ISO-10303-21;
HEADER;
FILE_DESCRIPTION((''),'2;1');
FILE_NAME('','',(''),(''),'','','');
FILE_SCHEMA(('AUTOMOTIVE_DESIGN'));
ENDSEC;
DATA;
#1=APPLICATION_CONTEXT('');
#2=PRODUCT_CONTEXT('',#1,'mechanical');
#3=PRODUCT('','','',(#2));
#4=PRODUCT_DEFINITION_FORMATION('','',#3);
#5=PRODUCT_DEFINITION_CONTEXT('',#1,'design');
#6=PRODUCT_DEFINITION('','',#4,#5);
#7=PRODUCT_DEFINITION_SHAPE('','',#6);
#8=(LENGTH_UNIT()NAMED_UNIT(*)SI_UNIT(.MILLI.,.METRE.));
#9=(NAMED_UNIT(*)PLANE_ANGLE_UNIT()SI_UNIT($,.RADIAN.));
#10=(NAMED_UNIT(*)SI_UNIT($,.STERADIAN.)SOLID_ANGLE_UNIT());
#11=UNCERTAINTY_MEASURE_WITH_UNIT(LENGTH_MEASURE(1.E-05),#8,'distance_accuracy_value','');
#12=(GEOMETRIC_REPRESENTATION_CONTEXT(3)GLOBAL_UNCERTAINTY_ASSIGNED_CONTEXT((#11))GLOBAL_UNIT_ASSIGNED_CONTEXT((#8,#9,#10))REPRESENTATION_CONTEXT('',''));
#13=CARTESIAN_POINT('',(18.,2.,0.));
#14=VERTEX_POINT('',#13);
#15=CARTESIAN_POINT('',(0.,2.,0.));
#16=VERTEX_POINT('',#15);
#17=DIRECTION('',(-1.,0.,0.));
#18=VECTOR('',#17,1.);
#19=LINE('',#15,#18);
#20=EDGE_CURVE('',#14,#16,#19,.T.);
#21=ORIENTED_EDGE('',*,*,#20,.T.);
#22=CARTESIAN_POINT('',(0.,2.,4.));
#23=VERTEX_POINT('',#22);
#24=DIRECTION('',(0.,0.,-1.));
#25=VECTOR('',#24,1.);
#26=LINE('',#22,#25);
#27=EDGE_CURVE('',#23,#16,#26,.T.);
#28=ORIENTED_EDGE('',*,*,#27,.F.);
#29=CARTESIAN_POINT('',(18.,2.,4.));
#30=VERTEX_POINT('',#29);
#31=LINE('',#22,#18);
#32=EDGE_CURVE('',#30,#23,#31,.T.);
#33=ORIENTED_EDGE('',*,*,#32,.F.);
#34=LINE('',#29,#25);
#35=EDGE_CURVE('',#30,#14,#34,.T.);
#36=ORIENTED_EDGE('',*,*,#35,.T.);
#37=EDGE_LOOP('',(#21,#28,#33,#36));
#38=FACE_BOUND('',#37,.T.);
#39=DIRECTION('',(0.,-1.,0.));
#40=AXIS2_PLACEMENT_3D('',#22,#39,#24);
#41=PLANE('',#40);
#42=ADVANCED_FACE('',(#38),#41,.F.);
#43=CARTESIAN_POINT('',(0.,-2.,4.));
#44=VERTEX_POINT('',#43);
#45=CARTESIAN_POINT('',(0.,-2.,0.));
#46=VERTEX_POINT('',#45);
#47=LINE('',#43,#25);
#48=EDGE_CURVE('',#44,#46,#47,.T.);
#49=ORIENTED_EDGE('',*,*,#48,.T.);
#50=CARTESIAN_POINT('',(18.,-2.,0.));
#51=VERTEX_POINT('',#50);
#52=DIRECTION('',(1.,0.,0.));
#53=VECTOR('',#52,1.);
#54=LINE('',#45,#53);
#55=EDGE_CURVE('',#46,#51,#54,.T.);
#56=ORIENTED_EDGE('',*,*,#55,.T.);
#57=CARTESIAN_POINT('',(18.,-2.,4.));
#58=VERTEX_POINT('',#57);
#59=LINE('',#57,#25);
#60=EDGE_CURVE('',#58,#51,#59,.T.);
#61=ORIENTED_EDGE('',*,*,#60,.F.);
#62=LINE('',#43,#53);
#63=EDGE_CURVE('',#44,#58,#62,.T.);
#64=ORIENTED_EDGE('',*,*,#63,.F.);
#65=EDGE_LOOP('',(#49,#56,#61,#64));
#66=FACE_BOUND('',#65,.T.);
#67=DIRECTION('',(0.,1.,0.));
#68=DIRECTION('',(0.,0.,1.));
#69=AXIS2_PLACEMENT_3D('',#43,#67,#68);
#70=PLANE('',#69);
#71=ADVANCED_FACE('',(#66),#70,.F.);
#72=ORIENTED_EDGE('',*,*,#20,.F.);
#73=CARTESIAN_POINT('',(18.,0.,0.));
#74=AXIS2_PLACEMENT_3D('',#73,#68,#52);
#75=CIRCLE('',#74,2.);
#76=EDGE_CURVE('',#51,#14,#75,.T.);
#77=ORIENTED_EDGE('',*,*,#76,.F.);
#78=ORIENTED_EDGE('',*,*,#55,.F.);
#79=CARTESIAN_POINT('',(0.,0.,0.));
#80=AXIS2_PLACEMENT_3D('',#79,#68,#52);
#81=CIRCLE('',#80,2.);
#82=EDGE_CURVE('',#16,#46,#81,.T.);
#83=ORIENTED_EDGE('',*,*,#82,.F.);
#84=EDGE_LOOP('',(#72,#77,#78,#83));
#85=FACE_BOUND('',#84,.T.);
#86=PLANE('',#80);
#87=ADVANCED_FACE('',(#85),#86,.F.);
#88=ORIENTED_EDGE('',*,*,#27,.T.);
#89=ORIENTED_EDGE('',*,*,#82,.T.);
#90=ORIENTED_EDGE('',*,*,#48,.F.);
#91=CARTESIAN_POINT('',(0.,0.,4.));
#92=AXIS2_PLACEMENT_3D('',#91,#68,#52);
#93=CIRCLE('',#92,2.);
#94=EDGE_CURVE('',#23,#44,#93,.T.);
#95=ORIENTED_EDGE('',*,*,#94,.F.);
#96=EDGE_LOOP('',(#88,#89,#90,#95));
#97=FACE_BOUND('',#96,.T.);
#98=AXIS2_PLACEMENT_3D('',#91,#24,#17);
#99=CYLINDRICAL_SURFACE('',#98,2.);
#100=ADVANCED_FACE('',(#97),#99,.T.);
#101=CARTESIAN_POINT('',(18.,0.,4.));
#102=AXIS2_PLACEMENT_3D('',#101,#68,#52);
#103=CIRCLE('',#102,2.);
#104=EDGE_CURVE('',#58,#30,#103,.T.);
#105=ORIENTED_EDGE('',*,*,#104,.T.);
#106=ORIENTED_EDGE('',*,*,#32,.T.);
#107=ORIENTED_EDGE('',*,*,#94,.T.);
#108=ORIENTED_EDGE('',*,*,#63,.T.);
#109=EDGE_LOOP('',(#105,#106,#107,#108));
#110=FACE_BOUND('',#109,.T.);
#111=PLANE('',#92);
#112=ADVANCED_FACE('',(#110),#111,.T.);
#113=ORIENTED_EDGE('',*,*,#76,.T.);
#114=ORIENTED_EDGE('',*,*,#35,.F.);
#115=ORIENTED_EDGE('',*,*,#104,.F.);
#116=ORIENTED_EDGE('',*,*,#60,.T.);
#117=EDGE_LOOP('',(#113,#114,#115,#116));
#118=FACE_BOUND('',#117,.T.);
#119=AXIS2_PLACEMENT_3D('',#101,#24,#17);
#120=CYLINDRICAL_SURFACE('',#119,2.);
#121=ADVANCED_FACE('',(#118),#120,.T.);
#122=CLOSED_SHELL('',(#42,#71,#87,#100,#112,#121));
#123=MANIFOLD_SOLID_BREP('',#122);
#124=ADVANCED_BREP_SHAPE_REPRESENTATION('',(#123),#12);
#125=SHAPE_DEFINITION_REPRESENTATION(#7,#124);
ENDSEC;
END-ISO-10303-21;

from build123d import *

# Parameters (mm, degrees)
BOSS_EXTRUDE1_DEPTH = 4


with BuildPart() as part:
    # Sketch1 → Boss-Extrude1 (new body)
    with BuildSketch(Plane.XY):
        with BuildLine():
            Line((0, 2), (18, 2))
            ThreePointArc((18, 2), (20, 0), (18, -2))
            Line((18, -2), (0, -2))
            ThreePointArc((0, -2), (-2, 0), (0, 2))
        make_face()
    extrude(amount=BOSS_EXTRUDE1_DEPTH)


solid = part.part
